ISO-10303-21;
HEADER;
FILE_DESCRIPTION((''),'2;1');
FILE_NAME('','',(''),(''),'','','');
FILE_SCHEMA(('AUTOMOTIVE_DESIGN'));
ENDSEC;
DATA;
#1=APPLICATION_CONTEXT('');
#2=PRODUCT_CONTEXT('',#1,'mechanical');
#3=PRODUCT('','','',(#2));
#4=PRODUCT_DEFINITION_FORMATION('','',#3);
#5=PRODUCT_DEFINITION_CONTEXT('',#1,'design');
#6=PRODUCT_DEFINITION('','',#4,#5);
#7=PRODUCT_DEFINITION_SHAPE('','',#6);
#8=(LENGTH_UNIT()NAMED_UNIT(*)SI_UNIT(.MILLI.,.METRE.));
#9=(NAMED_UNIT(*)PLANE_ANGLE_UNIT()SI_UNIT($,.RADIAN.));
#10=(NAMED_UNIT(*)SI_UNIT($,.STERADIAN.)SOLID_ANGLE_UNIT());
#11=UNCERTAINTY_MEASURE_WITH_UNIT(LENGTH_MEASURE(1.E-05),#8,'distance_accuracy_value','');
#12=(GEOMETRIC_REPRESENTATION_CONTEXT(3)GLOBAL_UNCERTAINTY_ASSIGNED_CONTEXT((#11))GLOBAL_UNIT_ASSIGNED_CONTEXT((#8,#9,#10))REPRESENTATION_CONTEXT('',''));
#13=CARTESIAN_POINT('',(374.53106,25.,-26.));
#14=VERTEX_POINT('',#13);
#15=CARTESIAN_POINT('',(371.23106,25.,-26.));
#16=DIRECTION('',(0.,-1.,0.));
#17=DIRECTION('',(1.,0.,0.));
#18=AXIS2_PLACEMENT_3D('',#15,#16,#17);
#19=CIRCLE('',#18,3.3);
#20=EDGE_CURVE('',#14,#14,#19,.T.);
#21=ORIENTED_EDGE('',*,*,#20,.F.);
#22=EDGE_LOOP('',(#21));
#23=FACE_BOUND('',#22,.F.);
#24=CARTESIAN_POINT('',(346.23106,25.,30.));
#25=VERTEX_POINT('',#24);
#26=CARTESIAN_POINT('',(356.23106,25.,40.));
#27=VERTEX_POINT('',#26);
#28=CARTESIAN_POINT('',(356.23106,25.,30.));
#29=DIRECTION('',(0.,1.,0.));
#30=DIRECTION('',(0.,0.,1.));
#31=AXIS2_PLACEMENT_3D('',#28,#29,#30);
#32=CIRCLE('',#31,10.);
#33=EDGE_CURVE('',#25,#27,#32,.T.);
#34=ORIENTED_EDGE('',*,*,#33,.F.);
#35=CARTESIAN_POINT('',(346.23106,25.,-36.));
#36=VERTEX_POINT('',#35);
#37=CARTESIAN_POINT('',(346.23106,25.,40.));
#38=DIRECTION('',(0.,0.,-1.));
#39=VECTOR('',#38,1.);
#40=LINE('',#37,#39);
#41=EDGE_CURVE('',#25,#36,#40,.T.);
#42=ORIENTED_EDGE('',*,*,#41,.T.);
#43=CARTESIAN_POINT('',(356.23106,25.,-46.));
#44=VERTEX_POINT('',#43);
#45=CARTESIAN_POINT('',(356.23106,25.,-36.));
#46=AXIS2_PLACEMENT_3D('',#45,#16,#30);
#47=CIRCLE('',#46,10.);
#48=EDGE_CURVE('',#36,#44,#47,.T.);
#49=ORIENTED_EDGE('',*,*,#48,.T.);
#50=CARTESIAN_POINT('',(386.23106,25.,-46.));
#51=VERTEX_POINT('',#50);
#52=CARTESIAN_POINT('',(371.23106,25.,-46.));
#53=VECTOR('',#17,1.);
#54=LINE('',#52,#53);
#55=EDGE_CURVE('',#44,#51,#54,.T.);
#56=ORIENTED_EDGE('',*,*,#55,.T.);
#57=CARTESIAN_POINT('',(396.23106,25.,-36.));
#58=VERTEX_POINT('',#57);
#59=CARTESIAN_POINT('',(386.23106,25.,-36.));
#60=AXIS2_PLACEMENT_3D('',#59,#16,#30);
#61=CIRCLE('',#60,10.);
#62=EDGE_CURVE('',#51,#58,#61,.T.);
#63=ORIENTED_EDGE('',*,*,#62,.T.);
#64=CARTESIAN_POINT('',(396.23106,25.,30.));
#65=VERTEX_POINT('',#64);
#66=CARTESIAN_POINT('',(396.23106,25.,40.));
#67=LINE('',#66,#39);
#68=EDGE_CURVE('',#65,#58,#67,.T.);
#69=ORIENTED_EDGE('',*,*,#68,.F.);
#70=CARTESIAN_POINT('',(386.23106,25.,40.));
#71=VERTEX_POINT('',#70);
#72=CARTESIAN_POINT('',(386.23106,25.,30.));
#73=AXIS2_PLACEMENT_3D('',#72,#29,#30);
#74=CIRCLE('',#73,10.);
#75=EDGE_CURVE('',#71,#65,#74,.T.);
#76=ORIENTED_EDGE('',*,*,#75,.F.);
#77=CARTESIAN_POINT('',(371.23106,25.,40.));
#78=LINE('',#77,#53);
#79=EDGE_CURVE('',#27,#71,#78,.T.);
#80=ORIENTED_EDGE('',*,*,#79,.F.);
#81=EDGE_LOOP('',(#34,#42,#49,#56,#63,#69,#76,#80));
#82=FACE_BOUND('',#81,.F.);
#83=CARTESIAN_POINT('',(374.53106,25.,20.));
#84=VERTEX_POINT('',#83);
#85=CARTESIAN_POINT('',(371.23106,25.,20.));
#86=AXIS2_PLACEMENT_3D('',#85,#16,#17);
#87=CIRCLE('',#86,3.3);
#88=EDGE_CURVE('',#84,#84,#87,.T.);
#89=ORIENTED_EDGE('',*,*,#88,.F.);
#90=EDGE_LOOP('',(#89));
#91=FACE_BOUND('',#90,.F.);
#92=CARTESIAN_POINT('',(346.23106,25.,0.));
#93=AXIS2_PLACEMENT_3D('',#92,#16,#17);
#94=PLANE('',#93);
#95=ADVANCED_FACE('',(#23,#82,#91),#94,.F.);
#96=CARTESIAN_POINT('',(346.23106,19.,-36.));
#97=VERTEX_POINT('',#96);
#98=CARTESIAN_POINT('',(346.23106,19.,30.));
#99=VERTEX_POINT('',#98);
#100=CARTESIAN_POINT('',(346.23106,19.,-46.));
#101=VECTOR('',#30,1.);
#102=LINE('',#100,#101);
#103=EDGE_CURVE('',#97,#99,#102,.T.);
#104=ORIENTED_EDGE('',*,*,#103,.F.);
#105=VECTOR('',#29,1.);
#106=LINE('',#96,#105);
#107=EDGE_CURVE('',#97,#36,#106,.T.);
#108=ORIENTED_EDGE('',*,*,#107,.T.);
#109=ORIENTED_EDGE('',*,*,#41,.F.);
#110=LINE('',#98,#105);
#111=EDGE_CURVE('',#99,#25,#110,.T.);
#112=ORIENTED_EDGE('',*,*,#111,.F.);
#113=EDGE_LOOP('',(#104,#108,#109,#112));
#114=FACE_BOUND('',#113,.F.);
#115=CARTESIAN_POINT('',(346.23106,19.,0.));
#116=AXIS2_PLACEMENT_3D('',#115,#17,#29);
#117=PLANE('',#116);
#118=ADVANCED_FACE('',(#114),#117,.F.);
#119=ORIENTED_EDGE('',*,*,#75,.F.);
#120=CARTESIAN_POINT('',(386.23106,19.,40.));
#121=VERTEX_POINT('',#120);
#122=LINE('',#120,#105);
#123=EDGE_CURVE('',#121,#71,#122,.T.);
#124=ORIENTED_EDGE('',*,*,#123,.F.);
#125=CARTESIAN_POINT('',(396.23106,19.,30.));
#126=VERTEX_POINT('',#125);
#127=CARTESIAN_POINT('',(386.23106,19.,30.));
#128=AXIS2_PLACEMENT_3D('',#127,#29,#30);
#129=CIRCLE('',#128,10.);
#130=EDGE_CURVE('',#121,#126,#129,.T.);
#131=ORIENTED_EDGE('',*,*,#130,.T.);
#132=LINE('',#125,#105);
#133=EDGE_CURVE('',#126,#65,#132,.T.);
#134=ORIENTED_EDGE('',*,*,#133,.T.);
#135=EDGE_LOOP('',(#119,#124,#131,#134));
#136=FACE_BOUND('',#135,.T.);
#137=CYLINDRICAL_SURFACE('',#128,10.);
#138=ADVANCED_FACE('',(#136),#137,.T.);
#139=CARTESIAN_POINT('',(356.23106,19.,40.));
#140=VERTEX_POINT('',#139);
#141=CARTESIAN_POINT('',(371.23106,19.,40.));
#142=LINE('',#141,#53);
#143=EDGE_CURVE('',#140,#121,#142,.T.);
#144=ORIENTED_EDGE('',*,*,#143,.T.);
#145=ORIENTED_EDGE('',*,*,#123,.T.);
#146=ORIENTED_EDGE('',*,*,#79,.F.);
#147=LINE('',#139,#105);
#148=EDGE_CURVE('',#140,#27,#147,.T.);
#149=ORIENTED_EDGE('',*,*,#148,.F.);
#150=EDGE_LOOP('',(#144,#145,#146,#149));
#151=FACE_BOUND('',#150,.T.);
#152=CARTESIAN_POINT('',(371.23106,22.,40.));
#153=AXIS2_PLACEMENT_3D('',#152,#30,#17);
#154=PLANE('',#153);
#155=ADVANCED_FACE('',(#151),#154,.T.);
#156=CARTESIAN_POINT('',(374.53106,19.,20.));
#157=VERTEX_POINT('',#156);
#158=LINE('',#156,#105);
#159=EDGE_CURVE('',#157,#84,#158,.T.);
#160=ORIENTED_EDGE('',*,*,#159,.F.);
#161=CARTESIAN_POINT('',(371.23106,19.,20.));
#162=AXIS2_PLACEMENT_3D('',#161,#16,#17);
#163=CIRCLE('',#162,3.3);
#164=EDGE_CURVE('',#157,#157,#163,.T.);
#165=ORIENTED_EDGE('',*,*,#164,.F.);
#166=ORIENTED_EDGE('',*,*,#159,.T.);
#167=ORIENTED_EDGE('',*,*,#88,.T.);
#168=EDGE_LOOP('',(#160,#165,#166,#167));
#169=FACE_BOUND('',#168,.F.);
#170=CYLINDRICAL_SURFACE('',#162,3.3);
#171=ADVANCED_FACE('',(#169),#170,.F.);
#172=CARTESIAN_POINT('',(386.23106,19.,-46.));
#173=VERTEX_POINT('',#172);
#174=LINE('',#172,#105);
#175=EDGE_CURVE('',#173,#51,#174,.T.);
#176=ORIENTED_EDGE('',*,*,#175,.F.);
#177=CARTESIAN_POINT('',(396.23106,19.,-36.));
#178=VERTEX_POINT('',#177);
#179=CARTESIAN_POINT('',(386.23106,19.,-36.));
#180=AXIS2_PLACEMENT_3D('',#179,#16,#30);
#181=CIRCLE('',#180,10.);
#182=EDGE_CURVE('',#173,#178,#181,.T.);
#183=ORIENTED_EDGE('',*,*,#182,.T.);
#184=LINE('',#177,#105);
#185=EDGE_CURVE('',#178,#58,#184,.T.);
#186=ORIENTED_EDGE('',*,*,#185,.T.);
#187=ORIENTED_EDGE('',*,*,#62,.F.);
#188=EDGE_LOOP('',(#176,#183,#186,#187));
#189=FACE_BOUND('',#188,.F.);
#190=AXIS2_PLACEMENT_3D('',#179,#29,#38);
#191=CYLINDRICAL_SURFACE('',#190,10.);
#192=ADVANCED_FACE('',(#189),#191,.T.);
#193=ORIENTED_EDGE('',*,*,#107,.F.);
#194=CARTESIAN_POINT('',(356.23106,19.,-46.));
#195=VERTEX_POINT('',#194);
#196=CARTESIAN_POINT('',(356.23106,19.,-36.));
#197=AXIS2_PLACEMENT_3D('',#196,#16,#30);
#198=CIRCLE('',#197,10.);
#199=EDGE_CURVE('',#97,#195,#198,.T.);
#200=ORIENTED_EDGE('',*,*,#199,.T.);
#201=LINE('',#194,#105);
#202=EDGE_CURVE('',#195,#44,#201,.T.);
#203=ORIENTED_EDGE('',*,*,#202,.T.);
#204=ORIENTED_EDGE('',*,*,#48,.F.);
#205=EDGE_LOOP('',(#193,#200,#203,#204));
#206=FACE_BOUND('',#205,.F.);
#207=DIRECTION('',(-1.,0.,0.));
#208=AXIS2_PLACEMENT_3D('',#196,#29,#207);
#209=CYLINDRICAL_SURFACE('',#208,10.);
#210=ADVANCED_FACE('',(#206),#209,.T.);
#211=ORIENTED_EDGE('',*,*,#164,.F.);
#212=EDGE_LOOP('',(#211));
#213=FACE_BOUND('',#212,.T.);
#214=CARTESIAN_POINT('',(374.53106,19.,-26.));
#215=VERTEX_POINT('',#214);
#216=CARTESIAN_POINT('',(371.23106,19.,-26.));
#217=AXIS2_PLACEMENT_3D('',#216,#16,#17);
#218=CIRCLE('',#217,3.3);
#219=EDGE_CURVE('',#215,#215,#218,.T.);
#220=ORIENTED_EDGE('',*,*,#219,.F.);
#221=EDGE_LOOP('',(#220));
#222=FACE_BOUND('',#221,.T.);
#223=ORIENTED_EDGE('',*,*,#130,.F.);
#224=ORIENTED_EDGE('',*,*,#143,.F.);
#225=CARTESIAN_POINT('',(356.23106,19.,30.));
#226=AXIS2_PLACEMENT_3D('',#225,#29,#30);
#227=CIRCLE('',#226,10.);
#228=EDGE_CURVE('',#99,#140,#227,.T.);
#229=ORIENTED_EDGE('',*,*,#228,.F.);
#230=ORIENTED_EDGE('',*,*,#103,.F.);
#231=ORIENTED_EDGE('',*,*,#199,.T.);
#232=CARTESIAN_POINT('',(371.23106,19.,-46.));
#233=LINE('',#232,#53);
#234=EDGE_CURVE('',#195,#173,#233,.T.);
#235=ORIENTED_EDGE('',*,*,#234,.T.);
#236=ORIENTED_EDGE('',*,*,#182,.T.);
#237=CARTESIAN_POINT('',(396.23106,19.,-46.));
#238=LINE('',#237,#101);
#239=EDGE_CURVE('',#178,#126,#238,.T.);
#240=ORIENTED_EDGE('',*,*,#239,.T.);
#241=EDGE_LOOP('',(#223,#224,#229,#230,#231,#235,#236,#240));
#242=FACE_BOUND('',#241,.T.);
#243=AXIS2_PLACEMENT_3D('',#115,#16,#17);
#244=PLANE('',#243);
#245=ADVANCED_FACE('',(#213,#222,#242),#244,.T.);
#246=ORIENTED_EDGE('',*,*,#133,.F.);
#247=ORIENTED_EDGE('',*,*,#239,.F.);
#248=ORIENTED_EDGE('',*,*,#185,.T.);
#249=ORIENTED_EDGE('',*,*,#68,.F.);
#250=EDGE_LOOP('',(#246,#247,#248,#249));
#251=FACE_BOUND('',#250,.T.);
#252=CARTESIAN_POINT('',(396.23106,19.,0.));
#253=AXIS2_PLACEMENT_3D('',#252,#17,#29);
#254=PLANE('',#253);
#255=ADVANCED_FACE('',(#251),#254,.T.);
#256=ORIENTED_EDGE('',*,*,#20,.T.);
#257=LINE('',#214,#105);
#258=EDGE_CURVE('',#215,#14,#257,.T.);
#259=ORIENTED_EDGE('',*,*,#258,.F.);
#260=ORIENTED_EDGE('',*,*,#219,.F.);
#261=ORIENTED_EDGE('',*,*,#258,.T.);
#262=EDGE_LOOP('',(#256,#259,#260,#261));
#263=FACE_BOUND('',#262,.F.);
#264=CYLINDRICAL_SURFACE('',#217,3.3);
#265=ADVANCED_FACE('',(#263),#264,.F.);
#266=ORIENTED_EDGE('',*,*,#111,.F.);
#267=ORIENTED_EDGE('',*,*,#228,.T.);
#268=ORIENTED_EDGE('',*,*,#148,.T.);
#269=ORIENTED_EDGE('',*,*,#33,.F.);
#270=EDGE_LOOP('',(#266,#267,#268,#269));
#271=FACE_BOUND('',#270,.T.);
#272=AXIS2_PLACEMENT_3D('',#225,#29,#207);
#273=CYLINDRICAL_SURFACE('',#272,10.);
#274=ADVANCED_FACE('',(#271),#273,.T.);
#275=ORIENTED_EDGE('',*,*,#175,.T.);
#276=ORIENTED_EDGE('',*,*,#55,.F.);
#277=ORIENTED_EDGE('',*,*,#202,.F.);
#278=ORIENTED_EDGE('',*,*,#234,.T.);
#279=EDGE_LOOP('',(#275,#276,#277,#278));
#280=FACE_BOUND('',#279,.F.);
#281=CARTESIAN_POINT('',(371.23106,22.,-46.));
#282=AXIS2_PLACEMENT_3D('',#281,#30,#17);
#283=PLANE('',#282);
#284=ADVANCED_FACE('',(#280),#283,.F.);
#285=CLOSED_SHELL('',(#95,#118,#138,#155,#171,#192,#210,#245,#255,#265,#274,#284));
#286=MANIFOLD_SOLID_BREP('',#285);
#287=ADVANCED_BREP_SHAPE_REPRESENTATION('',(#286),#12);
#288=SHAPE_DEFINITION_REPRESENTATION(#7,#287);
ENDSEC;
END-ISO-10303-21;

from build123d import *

# Parameters (mm, degrees)
SKETCH1_W                = 50
SKETCH1_H                = 6
BOSS_EXTRUDE1_DEPTH      = 40
BOSS_EXTRUDE1_DEPTH_BACK = 46
SKETCH2_R                = 3.3
CUT_EXTRUDE1_DEPTH       = 7
FILLET1_R                = 10


with BuildPart() as part:
    # Sketch1 → Boss-Extrude1 (new body, two sides)
    with BuildSketch(Plane.XY) as boss_extrude1_sk:
        with Locations((371.231060123, 22)):
            Rectangle(SKETCH1_W, SKETCH1_H)
    extrude(amount=BOSS_EXTRUDE1_DEPTH)
    extrude(boss_extrude1_sk.sketch, amount=-BOSS_EXTRUDE1_DEPTH_BACK)

    # Sketch2 → Cut-Extrude1 (cut, through all)
    with BuildSketch(Plane.XZ.offset(-19)):
        with Locations((371.231060123, -26)):
            Circle(SKETCH2_R)
        with Locations((371.231060123, 20)):
            Circle(SKETCH2_R)
    extrude(amount=-CUT_EXTRUDE1_DEPTH, mode=Mode.SUBTRACT)

    # Fillet1
    fillet1_edges = [part.edges().sort_by_distance(p)[0] for p in [
        (396.231060123, 22, -46),
        (346.231060123, 22, 40),
        (396.231060123, 22, 40),
        (346.231060123, 22, -46),
    ]]
    fillet(fillet1_edges, radius=FILLET1_R)


solid = part.part
